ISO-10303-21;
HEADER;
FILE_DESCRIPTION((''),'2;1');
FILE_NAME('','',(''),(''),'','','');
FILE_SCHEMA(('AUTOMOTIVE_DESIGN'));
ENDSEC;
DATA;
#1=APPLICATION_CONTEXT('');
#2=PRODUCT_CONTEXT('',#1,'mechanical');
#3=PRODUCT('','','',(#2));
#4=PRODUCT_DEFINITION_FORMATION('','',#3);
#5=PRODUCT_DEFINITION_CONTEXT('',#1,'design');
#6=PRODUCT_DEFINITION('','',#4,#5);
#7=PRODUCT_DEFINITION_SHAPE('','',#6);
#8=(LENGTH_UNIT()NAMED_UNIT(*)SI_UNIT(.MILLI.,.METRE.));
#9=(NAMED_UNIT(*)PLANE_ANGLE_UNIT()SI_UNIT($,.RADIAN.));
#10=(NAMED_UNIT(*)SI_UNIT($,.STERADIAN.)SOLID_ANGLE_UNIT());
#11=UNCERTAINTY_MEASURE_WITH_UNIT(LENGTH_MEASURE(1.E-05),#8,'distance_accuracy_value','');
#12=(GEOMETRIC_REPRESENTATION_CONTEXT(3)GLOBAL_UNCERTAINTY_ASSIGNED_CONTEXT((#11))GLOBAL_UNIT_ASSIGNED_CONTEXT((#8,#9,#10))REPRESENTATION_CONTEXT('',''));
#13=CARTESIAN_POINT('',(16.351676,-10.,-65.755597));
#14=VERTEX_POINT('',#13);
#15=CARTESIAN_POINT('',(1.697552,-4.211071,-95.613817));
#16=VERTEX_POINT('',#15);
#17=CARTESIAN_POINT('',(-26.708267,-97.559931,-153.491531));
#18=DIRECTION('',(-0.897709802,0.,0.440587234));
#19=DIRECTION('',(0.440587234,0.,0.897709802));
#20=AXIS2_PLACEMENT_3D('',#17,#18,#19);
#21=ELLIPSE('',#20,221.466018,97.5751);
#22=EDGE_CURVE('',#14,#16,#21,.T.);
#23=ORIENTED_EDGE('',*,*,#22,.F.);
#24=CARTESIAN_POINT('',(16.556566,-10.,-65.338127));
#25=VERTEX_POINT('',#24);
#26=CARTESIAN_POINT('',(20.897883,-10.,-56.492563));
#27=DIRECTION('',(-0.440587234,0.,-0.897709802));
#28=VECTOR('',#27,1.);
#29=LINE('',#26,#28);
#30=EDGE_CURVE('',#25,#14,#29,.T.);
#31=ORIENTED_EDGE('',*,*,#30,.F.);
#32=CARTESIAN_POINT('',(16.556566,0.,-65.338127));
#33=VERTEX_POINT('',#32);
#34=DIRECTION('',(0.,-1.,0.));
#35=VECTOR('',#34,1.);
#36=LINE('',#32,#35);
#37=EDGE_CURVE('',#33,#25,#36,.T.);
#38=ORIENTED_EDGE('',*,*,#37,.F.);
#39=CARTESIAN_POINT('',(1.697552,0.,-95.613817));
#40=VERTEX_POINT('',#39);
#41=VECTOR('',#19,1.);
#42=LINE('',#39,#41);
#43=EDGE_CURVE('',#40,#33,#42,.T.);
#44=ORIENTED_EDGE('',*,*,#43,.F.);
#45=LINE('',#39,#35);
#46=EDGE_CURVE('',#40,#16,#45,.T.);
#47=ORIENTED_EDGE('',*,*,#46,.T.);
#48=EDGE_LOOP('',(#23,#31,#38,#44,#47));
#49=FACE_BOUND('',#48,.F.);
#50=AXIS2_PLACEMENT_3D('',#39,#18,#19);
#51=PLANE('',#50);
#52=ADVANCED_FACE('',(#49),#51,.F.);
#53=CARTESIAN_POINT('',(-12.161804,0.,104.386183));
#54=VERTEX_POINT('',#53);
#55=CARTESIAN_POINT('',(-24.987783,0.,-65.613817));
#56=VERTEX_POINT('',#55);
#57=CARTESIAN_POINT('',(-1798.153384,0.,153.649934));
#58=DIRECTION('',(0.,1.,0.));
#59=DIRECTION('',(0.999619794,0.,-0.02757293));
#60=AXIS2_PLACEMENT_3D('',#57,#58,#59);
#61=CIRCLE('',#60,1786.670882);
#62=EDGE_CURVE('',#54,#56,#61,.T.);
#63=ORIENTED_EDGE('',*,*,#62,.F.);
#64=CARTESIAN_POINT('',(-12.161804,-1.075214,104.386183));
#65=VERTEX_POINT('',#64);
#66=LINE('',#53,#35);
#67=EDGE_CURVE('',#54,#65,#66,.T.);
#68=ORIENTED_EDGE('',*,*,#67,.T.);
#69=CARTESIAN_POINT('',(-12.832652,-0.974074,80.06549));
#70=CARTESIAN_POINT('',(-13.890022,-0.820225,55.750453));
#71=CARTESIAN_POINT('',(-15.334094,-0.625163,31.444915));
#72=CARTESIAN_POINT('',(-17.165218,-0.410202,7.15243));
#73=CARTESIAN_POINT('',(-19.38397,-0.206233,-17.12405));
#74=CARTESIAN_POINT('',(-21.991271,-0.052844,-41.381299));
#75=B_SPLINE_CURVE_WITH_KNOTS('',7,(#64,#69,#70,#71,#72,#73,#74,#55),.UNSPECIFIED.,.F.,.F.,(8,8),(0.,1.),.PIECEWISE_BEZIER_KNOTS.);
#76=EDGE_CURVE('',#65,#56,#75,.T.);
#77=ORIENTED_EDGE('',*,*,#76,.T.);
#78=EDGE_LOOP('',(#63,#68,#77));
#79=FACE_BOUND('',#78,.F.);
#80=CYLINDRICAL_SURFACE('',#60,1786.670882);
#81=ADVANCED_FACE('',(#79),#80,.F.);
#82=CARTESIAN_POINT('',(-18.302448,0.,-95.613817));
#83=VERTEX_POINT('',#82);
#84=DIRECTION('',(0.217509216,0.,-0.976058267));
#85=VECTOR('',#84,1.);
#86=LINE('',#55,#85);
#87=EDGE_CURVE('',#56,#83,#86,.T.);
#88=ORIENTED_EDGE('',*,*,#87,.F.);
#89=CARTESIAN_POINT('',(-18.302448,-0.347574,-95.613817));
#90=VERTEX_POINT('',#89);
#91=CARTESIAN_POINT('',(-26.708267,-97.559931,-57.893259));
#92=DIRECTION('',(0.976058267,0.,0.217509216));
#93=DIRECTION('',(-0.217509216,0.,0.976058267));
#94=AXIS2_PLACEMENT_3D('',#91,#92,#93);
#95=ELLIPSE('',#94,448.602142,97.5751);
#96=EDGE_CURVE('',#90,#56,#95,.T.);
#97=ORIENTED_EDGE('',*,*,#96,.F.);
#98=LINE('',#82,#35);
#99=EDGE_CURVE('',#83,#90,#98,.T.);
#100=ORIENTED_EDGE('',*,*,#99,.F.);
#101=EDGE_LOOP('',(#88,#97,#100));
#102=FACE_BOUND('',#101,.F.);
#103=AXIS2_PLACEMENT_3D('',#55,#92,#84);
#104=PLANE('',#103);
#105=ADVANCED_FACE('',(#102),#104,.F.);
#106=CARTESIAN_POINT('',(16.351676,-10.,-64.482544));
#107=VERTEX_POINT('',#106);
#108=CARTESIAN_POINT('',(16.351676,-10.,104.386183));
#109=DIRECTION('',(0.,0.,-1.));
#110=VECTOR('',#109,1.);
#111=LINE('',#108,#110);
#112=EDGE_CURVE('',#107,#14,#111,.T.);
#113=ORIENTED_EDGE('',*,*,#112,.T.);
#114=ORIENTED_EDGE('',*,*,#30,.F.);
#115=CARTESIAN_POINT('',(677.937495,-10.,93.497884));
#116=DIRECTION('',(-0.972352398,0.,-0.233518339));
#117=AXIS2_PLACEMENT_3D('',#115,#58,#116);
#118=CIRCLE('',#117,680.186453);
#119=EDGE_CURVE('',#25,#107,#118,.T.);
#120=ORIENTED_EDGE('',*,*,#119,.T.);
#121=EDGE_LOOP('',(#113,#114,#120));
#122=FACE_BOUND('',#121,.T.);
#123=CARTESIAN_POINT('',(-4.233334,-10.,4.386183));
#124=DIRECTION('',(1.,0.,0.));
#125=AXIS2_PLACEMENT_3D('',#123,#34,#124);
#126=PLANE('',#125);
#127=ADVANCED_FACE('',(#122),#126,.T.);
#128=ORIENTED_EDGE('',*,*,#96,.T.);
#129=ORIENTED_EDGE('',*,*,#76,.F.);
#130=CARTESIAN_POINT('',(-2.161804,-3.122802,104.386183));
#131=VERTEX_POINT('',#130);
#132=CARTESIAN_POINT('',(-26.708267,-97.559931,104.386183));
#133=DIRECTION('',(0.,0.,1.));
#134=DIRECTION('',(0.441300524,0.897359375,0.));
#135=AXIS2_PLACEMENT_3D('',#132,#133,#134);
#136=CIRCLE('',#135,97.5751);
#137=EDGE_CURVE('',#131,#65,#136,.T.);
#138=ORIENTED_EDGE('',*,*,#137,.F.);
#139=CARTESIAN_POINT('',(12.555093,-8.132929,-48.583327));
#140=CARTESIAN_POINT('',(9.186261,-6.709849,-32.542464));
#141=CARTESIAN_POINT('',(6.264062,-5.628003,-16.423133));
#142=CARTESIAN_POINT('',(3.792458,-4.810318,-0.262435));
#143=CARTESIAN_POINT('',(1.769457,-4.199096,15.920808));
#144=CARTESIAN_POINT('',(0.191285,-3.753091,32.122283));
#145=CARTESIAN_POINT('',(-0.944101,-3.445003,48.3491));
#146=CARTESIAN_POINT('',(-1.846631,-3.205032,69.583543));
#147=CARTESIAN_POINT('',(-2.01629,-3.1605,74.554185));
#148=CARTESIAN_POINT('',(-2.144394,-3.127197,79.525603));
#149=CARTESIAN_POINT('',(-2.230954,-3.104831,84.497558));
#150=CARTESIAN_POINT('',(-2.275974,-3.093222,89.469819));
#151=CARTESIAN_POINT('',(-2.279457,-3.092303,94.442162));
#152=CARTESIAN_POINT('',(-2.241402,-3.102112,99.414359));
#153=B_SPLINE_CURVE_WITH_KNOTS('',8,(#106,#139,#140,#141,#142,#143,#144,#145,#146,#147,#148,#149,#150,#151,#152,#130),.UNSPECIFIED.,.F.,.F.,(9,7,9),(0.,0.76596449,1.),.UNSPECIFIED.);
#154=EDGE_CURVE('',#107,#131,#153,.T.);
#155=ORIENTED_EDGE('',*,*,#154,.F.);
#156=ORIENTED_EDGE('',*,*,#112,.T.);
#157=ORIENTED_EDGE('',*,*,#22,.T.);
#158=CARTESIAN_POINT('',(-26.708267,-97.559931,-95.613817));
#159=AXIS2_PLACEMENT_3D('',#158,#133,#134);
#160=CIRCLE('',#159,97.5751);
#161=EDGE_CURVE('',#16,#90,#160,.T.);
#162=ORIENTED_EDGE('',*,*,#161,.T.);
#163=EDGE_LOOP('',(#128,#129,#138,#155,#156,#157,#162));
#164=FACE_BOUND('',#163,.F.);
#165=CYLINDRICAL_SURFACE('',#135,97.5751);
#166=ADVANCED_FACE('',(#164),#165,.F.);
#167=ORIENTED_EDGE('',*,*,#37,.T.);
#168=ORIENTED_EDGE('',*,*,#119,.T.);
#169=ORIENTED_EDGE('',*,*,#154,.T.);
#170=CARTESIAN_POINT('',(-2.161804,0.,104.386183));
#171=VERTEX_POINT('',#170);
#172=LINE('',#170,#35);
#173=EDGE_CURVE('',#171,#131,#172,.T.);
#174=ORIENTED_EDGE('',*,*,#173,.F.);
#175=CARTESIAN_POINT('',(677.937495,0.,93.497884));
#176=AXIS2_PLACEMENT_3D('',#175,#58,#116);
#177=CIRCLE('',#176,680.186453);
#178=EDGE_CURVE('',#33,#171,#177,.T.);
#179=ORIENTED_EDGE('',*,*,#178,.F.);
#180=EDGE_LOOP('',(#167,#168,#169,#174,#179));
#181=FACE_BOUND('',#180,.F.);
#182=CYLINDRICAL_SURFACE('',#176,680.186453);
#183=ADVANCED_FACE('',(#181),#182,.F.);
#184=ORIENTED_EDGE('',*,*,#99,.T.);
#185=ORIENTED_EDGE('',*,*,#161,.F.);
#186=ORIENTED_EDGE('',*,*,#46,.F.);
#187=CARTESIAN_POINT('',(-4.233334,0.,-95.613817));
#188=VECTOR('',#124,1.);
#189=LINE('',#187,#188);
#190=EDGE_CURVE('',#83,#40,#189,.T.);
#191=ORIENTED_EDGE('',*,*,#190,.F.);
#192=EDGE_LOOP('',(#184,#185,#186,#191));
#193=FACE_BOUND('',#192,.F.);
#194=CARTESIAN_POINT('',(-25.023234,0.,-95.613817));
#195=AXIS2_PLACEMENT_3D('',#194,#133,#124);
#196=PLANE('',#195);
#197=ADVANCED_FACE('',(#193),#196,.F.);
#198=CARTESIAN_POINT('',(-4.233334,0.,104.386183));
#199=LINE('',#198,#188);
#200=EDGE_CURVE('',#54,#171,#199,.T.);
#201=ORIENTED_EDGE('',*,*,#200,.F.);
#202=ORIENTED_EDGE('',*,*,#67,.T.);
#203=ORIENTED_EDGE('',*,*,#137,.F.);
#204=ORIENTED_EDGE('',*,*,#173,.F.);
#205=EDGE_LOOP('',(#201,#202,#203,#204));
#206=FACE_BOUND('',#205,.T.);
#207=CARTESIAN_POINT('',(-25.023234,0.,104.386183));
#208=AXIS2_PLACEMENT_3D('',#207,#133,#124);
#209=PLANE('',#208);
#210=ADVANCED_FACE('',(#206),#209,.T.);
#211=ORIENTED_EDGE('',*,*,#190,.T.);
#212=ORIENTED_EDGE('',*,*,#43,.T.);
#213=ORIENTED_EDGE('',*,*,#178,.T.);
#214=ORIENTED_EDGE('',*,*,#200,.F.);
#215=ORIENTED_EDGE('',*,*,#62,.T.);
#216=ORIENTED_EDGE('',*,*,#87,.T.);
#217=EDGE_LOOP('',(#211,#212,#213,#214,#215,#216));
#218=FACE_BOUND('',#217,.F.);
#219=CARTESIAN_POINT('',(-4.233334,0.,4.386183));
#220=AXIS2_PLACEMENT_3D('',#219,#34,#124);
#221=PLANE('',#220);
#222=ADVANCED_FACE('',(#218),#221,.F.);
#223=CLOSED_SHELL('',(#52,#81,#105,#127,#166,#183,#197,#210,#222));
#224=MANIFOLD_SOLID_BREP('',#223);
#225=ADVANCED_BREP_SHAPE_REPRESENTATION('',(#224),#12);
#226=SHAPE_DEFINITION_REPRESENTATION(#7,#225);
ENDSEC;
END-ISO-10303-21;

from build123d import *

# Parameters (mm, degrees)
F0_W     = 41.5798
F0_H     = 200
F1_DEPTH = 10
F4_DEPTH = 200.001
F6_DEPTH = 10.001


with BuildPart() as f1:
    # F0 (on Front) → F1 (new body)
    with BuildSketch(Plane.XZ):
        with Locations((-4.233334, 4.386183)):
            Rectangle(F0_W, F0_H)
    extrude(amount=F1_DEPTH)

    # F3 (on face) → F4 (cut, through all)
    with BuildSketch(Plane.XY.offset(104.386183)):
        with BuildLine():
            Line((-25.023234, -10), (16.351676, -10))
            ThreePointArc((16.351676, -10), (-3.766566, -2.720179), (-24.987783, 0))
            Line((-24.987783, 0), (-25.023234, 0))
            Line((-25.023234, 0), (-25.023234, -10))
        make_face()
    extrude(amount=-F4_DEPTH, mode=Mode.SUBTRACT)

    # F5 (on face) → F6 (cut, through all)
    with BuildSketch(Plane(origin=(0, 0, 0), x_dir=(-1, 0, 0), z_dir=(0, 1, 0))):
        with BuildLine():
            Line((24.987783, 104.386183), (12.161804, 104.386183))
            ThreePointArc((12.161804, 104.386183), (16.545975, 19.233115), (24.987783, -65.613817))
            Line((24.987783, -65.613817), (24.987783, 104.386183))
        make_face()
        with BuildLine():
            ThreePointArc((-16.556566, -65.338127), (-1.850307, 18.934315), (2.161804, 104.386183))
            Line((2.161804, 104.386183), (-16.556566, 104.386183))
            Line((-16.556566, 104.386183), (-16.556566, -65.338127))
        make_face()
        Polygon((-1.697552, -95.613817), (-16.556566, -65.338127), (-16.556566, -95.613817), align=None)
        Polygon((24.987783, -95.613817), (24.987783, -65.613817), (18.302448, -95.613817), align=None)
    extrude(amount=-F6_DEPTH, mode=Mode.SUBTRACT)


solid = f1.part
